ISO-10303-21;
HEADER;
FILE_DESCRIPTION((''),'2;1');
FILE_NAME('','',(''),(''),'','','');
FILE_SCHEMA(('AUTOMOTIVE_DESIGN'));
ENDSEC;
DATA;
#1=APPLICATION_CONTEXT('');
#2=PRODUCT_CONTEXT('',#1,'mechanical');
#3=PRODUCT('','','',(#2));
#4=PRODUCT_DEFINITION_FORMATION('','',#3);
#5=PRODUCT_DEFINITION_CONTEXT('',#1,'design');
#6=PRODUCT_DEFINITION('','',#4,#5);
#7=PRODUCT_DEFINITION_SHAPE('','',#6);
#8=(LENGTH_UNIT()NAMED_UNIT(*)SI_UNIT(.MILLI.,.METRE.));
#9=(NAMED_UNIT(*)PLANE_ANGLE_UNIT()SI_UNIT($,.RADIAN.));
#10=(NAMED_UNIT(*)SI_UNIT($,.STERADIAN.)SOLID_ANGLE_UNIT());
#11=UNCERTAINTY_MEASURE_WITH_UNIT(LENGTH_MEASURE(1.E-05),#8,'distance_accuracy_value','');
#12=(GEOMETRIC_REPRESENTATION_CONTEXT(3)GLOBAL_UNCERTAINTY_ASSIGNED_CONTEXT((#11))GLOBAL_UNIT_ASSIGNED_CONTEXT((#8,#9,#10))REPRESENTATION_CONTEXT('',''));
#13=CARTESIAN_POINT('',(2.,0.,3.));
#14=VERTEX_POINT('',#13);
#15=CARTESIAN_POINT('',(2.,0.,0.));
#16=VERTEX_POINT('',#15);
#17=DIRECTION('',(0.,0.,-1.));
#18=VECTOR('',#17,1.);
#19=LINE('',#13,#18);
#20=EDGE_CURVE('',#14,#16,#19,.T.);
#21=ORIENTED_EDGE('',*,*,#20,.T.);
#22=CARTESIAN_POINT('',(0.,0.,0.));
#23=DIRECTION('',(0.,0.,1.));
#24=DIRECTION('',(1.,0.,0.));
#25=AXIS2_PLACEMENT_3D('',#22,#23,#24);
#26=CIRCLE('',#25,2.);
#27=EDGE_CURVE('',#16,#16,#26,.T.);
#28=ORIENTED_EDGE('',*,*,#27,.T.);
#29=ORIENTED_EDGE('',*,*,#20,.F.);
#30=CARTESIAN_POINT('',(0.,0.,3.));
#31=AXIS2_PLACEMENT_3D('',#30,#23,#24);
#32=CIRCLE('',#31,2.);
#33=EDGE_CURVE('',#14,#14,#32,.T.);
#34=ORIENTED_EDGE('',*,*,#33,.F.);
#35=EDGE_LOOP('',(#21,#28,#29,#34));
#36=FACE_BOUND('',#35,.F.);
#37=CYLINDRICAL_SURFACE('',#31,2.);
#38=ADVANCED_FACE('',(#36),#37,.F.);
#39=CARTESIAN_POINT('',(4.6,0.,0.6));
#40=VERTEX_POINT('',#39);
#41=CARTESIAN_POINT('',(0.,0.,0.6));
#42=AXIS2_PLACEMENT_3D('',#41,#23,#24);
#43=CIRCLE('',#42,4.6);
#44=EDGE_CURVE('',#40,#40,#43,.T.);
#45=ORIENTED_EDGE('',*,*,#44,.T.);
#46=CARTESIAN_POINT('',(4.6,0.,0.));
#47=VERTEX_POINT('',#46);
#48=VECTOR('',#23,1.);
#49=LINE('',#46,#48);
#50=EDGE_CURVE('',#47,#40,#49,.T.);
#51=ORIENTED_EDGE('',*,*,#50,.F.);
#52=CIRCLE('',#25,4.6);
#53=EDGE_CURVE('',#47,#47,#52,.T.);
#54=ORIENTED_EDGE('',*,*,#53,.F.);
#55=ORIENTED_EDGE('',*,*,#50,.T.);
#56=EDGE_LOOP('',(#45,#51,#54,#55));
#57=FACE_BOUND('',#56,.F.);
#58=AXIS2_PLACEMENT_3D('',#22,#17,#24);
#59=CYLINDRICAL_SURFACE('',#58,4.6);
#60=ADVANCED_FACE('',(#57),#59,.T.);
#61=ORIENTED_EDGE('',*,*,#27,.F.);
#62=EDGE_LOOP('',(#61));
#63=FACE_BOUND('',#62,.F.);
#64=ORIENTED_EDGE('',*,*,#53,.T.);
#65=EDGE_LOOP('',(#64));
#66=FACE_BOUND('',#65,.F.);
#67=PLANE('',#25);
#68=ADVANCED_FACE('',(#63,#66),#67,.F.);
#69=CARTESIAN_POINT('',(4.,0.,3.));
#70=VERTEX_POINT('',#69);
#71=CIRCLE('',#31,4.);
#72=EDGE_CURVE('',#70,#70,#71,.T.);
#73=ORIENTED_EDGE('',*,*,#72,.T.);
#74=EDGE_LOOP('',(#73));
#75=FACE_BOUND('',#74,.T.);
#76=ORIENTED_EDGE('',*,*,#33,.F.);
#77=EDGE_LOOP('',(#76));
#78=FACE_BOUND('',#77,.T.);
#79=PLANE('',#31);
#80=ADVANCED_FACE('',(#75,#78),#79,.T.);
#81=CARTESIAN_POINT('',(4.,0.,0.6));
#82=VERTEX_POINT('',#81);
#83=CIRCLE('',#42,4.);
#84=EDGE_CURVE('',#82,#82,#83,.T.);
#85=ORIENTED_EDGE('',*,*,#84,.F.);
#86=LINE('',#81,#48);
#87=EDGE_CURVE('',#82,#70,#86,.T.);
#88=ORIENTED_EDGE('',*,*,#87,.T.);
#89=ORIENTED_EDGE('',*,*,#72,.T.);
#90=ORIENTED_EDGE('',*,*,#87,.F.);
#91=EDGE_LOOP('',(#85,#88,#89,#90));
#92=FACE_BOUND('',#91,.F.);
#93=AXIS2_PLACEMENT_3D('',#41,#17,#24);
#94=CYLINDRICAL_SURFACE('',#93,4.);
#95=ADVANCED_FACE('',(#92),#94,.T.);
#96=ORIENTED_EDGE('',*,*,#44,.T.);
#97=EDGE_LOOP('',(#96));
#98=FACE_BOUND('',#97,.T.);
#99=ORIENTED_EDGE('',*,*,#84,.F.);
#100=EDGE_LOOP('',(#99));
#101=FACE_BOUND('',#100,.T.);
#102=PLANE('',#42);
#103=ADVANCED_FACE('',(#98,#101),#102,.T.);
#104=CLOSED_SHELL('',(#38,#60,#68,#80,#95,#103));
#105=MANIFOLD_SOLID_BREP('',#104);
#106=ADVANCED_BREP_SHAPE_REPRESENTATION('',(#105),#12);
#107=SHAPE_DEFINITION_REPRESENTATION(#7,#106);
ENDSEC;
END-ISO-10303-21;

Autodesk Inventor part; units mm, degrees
ref_plane "YZ Plane" through (0, 0, 0) normal (1, 0, 0) x (0, 1, 0)
ref_plane "XZ Plane" through (0, 0, 0) normal (0, 1, 0) x (-1, 0, 0)
ref_plane "XY Plane" through (0, 0, 0) normal (0, 0, 1) x (1, 0, 0)
sketch "スケッチ1" plane through (0, 0, 0) normal (0, 0, 1) x (1, 0, 0)
  circle A0 centre (0, 0) radius 4.6
  dimension "d0" = 9.2
extrude "押し出し1" add sketch "スケッチ1" along normal blind 0.6
sketch "スケッチ2" plane through (0, 0, 0.6) normal (0, 0, 1) x (1, 0, 0)
  circle A0 centre (0, 0) radius 4
  dimension "d3" = 8
extrude "押し出し2" add sketch "スケッチ2" along normal blind 2.4
sketch "スケッチ3" plane through (0, 0, 3) normal (0, 0, 1) x (1, 0, 0)
  circle A0 centre (0, 0) radius 2
  dimension "d6" = 4
extrude "押し出し3" cut sketch "スケッチ3" against normal through all
properties part number "3SR04_ベアリング"
